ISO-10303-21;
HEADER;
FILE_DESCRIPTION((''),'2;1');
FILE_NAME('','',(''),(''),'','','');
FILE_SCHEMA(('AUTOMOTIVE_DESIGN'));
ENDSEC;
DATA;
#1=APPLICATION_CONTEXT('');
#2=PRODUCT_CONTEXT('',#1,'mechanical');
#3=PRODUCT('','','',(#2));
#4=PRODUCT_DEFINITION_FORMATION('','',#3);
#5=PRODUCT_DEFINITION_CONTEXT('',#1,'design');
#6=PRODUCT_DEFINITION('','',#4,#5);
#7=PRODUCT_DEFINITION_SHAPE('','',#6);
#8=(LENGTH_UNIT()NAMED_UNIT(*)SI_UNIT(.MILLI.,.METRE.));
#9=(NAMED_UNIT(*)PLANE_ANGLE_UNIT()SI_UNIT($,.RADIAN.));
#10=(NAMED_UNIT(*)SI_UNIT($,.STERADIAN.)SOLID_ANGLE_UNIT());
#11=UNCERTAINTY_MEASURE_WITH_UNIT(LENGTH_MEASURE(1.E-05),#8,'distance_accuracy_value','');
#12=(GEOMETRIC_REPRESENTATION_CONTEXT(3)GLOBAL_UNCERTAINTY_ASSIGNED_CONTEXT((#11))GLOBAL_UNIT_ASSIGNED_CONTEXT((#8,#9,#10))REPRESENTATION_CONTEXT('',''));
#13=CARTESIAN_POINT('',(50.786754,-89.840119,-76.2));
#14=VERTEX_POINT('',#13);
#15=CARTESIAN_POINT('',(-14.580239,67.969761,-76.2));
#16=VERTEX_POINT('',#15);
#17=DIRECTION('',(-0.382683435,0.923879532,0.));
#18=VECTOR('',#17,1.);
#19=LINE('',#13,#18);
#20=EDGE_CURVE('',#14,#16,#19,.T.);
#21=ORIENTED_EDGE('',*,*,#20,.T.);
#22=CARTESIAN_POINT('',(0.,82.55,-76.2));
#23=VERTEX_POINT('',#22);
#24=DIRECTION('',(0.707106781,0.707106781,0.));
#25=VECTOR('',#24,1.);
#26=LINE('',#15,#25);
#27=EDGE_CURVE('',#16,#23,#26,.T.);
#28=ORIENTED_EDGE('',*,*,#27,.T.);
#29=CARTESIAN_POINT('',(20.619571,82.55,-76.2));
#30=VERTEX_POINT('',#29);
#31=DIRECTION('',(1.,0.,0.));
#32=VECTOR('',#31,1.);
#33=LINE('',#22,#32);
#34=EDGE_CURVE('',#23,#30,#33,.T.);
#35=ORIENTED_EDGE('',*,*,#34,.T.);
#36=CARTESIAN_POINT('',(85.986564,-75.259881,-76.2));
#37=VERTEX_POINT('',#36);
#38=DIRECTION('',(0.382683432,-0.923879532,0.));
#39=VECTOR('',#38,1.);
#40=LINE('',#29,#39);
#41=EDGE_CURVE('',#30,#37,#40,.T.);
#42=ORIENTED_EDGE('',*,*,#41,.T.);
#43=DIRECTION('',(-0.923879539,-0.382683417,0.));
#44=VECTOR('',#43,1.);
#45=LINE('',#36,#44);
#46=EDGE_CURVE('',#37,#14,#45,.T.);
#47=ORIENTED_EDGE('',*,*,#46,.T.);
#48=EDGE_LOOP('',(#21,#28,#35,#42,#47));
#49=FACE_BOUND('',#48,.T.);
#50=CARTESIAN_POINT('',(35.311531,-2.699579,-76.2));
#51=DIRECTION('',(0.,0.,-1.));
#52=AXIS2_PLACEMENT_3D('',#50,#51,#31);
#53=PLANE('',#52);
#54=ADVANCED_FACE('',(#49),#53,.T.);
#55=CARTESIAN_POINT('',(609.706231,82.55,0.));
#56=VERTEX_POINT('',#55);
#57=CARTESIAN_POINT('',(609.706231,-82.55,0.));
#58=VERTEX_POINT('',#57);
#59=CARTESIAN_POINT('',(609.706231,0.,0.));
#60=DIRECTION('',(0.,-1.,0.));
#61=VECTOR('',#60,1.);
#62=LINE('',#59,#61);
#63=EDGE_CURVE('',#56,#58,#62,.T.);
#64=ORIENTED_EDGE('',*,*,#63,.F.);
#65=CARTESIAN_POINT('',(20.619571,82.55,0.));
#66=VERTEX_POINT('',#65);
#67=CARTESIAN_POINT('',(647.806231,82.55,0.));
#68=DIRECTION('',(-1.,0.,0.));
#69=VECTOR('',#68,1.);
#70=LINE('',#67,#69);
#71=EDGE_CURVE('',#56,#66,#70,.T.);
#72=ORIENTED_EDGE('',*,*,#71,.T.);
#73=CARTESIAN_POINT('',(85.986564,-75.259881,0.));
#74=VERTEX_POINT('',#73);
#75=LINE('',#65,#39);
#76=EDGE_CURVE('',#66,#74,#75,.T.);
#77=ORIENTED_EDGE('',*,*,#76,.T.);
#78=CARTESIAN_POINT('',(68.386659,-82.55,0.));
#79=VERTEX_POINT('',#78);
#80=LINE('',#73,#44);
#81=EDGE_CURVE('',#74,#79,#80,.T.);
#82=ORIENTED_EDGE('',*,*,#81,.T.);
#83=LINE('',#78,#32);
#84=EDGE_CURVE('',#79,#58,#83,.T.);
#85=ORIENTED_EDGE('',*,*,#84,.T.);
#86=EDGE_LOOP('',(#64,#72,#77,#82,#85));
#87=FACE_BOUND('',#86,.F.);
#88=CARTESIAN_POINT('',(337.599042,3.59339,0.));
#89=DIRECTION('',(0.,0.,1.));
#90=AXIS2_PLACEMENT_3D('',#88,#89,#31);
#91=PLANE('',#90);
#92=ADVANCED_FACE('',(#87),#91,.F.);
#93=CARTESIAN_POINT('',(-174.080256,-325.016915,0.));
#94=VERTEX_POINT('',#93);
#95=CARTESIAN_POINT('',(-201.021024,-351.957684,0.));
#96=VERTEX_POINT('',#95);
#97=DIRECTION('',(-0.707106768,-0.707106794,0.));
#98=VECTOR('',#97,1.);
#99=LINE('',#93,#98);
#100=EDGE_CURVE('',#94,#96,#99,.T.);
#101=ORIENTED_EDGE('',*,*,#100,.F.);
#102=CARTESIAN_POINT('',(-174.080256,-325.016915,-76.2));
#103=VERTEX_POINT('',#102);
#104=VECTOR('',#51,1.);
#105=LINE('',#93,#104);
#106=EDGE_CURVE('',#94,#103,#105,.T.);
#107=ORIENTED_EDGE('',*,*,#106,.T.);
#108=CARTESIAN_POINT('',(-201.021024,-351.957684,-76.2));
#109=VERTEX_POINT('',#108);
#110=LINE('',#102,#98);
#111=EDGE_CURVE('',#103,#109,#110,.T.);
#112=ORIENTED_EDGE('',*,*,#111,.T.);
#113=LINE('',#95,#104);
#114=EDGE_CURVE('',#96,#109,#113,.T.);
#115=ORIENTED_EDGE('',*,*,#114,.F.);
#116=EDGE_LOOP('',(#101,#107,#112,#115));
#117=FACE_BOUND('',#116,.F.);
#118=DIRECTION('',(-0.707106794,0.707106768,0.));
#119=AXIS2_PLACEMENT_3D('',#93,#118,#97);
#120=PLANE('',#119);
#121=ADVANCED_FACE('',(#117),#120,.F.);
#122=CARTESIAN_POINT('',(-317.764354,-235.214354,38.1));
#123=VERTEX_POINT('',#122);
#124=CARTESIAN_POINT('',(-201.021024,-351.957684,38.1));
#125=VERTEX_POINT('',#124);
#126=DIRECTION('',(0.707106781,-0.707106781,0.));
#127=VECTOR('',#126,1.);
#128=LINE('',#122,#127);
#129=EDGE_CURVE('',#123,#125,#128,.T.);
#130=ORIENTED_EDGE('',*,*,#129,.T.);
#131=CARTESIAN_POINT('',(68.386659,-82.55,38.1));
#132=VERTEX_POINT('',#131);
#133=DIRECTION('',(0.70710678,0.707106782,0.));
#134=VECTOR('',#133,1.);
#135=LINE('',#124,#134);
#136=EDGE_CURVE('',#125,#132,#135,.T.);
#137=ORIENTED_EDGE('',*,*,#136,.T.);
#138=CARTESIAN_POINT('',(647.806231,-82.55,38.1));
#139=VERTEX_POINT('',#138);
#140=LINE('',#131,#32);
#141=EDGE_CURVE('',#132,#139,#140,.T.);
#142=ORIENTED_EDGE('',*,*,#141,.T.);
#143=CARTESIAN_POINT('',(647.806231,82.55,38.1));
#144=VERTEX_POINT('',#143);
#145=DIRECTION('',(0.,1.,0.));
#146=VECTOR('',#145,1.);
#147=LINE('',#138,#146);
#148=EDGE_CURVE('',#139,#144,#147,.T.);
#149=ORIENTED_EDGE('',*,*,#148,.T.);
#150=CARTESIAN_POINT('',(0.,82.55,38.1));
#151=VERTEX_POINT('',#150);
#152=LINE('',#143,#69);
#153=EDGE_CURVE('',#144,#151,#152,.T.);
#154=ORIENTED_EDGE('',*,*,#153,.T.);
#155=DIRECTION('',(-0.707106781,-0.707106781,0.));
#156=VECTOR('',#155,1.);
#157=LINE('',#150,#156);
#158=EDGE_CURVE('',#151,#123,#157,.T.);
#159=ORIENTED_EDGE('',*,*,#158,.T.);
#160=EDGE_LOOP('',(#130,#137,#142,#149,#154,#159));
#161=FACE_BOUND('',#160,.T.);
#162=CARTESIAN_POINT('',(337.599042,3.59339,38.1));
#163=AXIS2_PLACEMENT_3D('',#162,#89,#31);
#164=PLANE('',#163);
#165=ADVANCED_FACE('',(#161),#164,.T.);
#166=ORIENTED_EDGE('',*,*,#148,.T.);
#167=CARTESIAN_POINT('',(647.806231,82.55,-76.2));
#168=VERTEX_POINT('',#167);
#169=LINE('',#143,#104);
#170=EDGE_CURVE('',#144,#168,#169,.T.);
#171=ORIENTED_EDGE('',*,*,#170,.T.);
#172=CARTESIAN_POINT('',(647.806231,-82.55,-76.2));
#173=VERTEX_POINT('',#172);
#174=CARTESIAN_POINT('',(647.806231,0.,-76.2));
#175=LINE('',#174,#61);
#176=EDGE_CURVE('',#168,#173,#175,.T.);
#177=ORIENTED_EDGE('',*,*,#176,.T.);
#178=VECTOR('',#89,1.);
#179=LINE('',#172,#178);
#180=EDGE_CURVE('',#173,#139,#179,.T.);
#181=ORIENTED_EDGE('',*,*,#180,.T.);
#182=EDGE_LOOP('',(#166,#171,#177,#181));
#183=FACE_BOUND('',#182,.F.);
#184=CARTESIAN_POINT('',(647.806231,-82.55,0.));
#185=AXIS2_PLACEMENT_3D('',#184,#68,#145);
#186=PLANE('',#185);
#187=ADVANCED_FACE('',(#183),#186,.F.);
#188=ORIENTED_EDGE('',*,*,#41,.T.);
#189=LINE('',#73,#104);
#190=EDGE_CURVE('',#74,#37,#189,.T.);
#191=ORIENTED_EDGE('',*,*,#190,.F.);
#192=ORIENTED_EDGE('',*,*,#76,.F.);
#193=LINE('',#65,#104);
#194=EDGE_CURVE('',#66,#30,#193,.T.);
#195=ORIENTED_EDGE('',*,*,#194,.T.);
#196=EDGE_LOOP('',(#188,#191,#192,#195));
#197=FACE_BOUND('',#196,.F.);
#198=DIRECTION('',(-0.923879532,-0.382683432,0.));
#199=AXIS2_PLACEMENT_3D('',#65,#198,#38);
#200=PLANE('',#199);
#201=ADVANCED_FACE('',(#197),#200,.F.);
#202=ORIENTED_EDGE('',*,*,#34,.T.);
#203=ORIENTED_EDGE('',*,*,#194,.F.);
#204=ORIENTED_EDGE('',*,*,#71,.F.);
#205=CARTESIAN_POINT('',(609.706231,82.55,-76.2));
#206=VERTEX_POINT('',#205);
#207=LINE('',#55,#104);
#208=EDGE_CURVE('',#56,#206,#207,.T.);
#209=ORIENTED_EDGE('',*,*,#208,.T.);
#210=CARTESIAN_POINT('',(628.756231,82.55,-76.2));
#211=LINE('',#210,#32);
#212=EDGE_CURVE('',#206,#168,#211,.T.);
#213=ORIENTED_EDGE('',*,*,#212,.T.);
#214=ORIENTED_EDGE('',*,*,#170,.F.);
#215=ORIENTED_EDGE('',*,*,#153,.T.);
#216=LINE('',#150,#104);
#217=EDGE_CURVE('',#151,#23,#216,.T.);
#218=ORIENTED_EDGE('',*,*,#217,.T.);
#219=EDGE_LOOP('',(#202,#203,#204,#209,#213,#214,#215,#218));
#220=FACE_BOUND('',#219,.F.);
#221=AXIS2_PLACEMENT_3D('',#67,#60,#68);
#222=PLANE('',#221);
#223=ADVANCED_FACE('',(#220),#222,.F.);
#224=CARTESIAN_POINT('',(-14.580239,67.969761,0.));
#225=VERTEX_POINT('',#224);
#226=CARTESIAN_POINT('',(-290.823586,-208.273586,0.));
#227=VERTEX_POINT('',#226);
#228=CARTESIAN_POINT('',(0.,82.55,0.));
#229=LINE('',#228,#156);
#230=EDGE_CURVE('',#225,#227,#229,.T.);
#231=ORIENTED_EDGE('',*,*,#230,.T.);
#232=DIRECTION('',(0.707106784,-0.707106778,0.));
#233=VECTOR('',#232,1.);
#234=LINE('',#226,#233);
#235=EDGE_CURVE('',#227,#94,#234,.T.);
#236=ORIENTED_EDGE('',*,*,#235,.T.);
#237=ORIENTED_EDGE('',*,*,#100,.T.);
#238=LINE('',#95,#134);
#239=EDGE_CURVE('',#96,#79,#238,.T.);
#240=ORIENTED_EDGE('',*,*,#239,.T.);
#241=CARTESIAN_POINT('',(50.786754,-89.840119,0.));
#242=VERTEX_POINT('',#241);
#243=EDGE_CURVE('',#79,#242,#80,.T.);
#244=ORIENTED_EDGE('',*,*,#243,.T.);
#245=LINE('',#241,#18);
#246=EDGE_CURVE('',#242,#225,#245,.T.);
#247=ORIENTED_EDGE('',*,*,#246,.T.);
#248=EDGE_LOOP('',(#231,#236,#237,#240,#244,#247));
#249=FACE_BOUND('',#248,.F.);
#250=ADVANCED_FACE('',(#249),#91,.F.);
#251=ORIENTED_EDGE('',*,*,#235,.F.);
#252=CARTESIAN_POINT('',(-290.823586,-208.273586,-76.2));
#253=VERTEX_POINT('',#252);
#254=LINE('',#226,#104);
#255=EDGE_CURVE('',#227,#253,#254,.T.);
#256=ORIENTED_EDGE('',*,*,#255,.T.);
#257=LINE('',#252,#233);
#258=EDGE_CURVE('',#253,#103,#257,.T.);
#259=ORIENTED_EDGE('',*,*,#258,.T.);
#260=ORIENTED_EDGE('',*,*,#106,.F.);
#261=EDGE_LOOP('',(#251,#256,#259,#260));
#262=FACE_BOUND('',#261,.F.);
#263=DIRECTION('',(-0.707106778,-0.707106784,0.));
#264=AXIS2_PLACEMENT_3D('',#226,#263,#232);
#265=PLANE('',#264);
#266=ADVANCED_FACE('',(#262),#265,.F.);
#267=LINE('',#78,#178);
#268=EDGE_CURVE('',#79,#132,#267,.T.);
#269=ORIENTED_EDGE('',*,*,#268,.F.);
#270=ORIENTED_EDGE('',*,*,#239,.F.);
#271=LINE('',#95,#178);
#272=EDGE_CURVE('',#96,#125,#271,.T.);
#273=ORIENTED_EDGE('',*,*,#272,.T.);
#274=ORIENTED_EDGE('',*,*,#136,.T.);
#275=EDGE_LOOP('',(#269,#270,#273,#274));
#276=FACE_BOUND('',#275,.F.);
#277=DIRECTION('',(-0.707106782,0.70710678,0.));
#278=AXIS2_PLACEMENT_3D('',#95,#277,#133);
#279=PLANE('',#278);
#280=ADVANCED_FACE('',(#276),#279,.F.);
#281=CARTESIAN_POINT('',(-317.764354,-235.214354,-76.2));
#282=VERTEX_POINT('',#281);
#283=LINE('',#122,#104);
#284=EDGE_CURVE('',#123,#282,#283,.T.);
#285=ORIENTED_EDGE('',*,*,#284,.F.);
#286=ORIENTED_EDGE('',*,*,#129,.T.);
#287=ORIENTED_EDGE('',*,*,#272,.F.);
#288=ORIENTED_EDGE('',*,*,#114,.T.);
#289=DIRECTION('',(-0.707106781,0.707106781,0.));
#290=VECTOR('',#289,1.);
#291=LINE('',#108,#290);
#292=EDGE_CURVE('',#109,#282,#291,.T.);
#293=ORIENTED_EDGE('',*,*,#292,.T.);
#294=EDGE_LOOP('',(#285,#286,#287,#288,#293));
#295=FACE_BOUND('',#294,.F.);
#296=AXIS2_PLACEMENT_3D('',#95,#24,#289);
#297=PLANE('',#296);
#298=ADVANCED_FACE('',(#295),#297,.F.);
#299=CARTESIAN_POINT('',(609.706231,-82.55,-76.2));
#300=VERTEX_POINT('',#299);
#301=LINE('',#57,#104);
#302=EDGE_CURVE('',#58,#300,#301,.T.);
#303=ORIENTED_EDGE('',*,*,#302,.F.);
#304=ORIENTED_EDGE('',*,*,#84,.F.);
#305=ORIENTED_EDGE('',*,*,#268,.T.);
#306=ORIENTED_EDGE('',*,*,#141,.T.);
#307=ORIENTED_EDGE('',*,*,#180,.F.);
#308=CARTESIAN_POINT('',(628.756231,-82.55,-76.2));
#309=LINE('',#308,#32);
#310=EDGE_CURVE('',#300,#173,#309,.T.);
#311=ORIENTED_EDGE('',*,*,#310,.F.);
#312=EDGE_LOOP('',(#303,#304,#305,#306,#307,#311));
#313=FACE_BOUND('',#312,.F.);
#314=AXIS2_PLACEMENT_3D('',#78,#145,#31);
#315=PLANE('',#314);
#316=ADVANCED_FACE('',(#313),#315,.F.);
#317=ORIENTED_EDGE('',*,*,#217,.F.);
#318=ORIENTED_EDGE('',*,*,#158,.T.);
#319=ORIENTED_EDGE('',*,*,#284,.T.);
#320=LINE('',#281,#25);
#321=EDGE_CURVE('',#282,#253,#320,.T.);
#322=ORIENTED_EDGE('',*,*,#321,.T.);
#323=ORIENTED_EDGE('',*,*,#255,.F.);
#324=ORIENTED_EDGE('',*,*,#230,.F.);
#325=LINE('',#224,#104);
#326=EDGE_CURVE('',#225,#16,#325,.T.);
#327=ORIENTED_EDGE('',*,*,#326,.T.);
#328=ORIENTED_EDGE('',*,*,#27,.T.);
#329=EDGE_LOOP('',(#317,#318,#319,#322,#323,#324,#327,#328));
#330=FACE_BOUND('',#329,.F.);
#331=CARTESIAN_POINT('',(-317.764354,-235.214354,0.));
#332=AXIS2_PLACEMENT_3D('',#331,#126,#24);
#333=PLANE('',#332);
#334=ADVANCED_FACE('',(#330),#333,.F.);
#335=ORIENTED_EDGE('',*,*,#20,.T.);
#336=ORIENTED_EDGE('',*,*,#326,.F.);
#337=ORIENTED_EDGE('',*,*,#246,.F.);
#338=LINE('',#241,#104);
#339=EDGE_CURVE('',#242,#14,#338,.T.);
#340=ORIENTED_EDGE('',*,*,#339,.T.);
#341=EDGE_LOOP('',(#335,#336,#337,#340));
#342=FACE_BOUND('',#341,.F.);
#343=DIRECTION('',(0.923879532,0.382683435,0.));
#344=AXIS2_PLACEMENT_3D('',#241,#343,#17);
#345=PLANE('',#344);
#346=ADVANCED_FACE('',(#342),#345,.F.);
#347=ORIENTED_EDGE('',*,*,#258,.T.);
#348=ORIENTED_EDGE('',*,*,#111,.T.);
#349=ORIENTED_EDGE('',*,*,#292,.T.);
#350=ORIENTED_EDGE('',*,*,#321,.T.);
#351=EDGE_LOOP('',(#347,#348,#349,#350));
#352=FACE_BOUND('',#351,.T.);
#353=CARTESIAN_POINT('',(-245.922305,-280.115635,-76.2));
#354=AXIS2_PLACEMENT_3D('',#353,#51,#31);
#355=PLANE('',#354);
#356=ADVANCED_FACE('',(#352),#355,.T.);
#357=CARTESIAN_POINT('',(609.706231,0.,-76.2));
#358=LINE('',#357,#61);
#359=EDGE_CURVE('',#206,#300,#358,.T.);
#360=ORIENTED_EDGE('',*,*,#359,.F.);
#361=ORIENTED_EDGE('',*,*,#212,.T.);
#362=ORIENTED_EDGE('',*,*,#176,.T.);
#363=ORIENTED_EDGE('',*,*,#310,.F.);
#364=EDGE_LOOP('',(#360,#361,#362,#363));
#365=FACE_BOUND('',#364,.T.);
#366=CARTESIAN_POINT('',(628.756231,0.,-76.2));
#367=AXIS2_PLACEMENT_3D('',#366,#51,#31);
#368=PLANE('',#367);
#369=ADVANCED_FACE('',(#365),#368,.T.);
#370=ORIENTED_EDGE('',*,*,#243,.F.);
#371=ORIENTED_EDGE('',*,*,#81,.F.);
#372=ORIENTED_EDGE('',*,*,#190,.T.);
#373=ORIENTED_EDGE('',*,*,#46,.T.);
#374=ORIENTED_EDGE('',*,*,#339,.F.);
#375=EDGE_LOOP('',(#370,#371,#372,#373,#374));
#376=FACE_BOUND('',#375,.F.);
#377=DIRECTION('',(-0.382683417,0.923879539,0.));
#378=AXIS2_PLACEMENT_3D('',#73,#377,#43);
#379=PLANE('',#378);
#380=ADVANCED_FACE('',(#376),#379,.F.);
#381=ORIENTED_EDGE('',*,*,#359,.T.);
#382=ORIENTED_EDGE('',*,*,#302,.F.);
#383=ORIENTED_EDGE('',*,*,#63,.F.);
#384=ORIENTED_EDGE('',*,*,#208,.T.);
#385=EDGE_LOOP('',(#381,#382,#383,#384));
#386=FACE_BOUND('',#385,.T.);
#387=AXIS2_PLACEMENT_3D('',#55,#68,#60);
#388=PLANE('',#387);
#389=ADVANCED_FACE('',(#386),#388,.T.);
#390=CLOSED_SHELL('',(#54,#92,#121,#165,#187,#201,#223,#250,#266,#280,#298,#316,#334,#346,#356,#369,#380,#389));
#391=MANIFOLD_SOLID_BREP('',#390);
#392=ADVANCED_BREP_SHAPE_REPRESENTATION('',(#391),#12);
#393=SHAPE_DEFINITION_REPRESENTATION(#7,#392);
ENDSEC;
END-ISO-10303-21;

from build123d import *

# Parameters (mm, degrees)
F1_DEPTH = 38.1
F2_W     = 38.1
F2_H     = 165.1
F3_DEPTH = 76.2


with BuildPart() as f1:
    # F0 (on Top) → F1 (new body)
    with BuildSketch(Plane.XY):
        Polygon((647.806231, 82.55), (0, 82.55), (68.386659, -82.55), (647.806231, -82.55), align=None)
        Polygon((68.386659, -82.55), (0, 82.55), (-317.764354, -235.214354), (-201.021024, -351.957684), align=None)
    extrude(amount=F1_DEPTH)

    # F2 (on face) → F3 (join)
    with BuildSketch(Plane(origin=(0, 0, 0), x_dir=(1, 0, 0), z_dir=(0, 0, -1))):
        Polygon((-201.021024, 351.957684), (-317.764354, 235.214354), (-290.823586, 208.273586), (-174.080256, 325.016915), align=None)
        Polygon((20.619571, -82.55), (85.986564, 75.259881), (50.786754, 89.840119), (-14.580239, -67.969761), (0, -82.55), align=None)
        with Locations((628.756231, 0)):
            Rectangle(F2_W, F2_H)
    extrude(amount=F3_DEPTH)


solid = f1.part
